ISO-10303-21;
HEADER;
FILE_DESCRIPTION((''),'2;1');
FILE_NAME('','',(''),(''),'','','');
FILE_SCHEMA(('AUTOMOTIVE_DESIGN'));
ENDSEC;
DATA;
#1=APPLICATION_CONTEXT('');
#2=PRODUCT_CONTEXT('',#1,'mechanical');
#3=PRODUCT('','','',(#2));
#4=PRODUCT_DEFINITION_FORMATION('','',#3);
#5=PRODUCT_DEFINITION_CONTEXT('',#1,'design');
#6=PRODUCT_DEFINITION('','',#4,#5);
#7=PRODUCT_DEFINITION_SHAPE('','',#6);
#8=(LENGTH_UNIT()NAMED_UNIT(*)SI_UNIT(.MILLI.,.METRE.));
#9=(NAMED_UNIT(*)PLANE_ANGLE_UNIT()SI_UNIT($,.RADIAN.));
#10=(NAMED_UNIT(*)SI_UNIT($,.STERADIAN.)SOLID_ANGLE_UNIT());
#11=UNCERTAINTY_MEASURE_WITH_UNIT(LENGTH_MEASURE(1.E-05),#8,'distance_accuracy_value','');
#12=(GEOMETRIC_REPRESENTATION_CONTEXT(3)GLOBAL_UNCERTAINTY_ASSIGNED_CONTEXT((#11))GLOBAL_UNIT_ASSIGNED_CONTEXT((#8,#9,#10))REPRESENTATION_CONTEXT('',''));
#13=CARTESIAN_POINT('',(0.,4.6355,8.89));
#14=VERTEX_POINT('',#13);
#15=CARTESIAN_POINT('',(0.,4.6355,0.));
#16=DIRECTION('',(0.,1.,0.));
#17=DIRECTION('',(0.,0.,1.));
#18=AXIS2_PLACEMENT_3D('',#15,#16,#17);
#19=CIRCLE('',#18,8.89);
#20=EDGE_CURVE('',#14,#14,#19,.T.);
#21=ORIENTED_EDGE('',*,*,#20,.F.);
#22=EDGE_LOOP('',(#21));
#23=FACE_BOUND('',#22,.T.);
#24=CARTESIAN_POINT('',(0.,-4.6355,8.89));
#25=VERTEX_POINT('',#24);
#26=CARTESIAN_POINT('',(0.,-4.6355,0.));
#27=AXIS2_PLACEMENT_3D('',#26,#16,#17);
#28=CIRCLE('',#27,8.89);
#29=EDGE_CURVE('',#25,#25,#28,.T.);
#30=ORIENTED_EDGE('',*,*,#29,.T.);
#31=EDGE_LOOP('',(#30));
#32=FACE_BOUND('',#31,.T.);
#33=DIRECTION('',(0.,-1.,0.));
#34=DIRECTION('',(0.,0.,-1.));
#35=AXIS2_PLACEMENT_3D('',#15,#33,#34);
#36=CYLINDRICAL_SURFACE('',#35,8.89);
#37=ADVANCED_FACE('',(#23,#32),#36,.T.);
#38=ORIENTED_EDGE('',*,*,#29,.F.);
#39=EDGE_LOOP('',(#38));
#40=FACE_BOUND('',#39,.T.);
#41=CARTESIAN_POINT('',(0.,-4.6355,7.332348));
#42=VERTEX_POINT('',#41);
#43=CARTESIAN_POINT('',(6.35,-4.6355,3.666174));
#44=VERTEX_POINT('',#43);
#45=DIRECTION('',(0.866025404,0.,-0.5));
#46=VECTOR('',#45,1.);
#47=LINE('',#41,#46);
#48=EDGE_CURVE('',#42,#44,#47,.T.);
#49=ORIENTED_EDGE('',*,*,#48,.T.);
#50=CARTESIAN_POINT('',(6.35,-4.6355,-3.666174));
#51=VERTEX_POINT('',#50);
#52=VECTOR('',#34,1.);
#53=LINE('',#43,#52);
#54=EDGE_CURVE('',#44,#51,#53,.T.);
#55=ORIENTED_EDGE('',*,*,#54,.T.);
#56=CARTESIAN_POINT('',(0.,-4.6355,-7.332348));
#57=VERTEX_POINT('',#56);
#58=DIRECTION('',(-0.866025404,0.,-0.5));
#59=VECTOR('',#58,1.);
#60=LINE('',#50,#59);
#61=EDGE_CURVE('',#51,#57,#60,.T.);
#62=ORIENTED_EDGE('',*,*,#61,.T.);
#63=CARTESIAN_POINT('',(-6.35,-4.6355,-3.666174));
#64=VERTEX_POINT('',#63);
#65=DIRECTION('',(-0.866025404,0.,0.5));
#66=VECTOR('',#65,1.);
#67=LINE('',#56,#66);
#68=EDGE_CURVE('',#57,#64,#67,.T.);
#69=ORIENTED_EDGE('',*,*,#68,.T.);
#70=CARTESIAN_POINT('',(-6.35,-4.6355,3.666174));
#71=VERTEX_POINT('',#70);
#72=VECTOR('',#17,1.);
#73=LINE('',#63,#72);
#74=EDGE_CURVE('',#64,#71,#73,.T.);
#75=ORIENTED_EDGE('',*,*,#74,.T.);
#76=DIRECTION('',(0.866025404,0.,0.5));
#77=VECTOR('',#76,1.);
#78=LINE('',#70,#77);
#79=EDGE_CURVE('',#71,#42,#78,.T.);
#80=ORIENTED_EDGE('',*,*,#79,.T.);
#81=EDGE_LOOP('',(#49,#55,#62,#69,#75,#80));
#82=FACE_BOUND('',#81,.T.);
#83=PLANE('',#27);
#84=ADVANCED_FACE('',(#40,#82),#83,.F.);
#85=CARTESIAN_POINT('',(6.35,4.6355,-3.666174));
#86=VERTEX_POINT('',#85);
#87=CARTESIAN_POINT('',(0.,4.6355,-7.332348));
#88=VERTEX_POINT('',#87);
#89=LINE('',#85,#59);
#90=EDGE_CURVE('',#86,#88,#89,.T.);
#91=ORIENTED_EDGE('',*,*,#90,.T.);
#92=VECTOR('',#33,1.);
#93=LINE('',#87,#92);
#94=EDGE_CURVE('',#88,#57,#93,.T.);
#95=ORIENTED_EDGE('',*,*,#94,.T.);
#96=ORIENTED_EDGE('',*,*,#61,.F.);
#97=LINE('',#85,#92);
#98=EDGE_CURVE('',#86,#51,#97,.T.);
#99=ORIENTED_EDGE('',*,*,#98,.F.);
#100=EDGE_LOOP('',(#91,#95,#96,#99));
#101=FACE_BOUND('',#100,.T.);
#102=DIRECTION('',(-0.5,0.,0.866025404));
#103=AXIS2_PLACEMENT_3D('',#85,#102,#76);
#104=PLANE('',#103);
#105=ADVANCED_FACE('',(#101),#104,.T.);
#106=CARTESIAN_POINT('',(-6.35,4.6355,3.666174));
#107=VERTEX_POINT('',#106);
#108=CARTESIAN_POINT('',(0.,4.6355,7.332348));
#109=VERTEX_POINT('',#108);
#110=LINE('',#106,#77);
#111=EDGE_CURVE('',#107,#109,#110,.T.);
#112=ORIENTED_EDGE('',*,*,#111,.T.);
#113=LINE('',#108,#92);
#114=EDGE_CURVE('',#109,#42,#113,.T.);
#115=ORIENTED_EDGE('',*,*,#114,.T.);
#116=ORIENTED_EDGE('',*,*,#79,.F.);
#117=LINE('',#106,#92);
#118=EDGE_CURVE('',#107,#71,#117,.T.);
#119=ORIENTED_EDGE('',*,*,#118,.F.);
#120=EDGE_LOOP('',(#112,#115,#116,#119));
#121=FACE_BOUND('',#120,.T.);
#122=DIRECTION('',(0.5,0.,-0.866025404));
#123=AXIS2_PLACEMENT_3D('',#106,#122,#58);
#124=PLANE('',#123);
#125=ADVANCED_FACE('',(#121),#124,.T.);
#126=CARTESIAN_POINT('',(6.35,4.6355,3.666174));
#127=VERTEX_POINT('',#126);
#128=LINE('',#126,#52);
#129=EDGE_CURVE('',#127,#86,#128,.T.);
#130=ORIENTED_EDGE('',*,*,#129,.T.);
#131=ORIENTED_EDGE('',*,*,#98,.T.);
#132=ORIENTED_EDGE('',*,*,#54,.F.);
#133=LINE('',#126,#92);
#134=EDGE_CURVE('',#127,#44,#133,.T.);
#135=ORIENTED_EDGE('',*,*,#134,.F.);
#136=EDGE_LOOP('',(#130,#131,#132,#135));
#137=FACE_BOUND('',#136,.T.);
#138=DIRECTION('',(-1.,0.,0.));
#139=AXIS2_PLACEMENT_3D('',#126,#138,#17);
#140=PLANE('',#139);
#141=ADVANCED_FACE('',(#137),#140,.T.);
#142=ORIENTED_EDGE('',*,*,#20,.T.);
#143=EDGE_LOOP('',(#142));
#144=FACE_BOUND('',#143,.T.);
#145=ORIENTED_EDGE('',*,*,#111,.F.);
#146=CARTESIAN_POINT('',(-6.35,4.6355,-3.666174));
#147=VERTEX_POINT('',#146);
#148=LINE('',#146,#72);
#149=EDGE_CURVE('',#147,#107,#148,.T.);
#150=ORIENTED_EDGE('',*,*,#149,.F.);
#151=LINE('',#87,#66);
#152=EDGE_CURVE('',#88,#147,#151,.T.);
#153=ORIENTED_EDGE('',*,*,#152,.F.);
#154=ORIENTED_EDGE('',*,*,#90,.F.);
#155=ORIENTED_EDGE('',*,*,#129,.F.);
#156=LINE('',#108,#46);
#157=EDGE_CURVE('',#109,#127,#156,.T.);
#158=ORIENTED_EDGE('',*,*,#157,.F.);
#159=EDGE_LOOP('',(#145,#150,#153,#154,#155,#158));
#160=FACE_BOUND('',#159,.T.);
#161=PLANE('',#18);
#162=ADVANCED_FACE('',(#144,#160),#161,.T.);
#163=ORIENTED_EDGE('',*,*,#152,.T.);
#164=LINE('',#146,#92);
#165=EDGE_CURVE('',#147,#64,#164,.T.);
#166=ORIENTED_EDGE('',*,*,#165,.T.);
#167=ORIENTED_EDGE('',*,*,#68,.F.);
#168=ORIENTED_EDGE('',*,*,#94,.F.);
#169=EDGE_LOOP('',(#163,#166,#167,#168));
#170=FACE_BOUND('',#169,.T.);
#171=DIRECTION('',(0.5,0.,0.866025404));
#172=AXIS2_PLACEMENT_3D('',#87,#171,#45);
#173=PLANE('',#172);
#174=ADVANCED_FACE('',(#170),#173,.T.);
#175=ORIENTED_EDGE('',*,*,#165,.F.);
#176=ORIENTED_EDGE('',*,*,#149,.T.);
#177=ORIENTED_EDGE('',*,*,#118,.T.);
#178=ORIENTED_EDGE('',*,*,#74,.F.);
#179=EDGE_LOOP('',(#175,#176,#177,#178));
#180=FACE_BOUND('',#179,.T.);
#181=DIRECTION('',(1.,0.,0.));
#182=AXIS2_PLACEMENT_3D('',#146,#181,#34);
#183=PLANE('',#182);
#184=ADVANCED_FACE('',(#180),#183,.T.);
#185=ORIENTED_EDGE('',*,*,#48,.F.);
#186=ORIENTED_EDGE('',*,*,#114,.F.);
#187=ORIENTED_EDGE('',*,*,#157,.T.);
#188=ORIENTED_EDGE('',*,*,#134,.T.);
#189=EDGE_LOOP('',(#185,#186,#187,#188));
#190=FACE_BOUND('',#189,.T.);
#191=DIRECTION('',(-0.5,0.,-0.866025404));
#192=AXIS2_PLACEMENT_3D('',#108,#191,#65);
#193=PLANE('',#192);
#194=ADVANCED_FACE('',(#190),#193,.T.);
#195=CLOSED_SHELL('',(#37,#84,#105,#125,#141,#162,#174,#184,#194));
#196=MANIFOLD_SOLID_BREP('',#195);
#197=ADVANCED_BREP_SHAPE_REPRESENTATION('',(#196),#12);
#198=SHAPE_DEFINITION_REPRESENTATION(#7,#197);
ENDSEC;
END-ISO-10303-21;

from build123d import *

# Parameters (mm, degrees)
SKETCH1_R           = 8.89
BOSS_EXTRUDE1_DEPTH = 4.6355


with BuildPart() as part:
    # Sketch1 → Boss-Extrude1 (new, symmetric)
    with BuildSketch(Plane(origin=(0, 0, 0), x_dir=(1, 0, 0), z_dir=(0, 1, 0))):
        with Locations(Location((0, 0, 0), (0, 0, 270))):
            Circle(SKETCH1_R)
        Polygon((0, 7.332348419), (-6.35, 3.666174209), (-6.35, -3.666174209), (0, -7.332348419), (6.35, -3.666174209), (6.35, 3.666174209), align=None, mode=Mode.SUBTRACT)
    extrude(amount=BOSS_EXTRUDE1_DEPTH, both=True)


solid = part.part
